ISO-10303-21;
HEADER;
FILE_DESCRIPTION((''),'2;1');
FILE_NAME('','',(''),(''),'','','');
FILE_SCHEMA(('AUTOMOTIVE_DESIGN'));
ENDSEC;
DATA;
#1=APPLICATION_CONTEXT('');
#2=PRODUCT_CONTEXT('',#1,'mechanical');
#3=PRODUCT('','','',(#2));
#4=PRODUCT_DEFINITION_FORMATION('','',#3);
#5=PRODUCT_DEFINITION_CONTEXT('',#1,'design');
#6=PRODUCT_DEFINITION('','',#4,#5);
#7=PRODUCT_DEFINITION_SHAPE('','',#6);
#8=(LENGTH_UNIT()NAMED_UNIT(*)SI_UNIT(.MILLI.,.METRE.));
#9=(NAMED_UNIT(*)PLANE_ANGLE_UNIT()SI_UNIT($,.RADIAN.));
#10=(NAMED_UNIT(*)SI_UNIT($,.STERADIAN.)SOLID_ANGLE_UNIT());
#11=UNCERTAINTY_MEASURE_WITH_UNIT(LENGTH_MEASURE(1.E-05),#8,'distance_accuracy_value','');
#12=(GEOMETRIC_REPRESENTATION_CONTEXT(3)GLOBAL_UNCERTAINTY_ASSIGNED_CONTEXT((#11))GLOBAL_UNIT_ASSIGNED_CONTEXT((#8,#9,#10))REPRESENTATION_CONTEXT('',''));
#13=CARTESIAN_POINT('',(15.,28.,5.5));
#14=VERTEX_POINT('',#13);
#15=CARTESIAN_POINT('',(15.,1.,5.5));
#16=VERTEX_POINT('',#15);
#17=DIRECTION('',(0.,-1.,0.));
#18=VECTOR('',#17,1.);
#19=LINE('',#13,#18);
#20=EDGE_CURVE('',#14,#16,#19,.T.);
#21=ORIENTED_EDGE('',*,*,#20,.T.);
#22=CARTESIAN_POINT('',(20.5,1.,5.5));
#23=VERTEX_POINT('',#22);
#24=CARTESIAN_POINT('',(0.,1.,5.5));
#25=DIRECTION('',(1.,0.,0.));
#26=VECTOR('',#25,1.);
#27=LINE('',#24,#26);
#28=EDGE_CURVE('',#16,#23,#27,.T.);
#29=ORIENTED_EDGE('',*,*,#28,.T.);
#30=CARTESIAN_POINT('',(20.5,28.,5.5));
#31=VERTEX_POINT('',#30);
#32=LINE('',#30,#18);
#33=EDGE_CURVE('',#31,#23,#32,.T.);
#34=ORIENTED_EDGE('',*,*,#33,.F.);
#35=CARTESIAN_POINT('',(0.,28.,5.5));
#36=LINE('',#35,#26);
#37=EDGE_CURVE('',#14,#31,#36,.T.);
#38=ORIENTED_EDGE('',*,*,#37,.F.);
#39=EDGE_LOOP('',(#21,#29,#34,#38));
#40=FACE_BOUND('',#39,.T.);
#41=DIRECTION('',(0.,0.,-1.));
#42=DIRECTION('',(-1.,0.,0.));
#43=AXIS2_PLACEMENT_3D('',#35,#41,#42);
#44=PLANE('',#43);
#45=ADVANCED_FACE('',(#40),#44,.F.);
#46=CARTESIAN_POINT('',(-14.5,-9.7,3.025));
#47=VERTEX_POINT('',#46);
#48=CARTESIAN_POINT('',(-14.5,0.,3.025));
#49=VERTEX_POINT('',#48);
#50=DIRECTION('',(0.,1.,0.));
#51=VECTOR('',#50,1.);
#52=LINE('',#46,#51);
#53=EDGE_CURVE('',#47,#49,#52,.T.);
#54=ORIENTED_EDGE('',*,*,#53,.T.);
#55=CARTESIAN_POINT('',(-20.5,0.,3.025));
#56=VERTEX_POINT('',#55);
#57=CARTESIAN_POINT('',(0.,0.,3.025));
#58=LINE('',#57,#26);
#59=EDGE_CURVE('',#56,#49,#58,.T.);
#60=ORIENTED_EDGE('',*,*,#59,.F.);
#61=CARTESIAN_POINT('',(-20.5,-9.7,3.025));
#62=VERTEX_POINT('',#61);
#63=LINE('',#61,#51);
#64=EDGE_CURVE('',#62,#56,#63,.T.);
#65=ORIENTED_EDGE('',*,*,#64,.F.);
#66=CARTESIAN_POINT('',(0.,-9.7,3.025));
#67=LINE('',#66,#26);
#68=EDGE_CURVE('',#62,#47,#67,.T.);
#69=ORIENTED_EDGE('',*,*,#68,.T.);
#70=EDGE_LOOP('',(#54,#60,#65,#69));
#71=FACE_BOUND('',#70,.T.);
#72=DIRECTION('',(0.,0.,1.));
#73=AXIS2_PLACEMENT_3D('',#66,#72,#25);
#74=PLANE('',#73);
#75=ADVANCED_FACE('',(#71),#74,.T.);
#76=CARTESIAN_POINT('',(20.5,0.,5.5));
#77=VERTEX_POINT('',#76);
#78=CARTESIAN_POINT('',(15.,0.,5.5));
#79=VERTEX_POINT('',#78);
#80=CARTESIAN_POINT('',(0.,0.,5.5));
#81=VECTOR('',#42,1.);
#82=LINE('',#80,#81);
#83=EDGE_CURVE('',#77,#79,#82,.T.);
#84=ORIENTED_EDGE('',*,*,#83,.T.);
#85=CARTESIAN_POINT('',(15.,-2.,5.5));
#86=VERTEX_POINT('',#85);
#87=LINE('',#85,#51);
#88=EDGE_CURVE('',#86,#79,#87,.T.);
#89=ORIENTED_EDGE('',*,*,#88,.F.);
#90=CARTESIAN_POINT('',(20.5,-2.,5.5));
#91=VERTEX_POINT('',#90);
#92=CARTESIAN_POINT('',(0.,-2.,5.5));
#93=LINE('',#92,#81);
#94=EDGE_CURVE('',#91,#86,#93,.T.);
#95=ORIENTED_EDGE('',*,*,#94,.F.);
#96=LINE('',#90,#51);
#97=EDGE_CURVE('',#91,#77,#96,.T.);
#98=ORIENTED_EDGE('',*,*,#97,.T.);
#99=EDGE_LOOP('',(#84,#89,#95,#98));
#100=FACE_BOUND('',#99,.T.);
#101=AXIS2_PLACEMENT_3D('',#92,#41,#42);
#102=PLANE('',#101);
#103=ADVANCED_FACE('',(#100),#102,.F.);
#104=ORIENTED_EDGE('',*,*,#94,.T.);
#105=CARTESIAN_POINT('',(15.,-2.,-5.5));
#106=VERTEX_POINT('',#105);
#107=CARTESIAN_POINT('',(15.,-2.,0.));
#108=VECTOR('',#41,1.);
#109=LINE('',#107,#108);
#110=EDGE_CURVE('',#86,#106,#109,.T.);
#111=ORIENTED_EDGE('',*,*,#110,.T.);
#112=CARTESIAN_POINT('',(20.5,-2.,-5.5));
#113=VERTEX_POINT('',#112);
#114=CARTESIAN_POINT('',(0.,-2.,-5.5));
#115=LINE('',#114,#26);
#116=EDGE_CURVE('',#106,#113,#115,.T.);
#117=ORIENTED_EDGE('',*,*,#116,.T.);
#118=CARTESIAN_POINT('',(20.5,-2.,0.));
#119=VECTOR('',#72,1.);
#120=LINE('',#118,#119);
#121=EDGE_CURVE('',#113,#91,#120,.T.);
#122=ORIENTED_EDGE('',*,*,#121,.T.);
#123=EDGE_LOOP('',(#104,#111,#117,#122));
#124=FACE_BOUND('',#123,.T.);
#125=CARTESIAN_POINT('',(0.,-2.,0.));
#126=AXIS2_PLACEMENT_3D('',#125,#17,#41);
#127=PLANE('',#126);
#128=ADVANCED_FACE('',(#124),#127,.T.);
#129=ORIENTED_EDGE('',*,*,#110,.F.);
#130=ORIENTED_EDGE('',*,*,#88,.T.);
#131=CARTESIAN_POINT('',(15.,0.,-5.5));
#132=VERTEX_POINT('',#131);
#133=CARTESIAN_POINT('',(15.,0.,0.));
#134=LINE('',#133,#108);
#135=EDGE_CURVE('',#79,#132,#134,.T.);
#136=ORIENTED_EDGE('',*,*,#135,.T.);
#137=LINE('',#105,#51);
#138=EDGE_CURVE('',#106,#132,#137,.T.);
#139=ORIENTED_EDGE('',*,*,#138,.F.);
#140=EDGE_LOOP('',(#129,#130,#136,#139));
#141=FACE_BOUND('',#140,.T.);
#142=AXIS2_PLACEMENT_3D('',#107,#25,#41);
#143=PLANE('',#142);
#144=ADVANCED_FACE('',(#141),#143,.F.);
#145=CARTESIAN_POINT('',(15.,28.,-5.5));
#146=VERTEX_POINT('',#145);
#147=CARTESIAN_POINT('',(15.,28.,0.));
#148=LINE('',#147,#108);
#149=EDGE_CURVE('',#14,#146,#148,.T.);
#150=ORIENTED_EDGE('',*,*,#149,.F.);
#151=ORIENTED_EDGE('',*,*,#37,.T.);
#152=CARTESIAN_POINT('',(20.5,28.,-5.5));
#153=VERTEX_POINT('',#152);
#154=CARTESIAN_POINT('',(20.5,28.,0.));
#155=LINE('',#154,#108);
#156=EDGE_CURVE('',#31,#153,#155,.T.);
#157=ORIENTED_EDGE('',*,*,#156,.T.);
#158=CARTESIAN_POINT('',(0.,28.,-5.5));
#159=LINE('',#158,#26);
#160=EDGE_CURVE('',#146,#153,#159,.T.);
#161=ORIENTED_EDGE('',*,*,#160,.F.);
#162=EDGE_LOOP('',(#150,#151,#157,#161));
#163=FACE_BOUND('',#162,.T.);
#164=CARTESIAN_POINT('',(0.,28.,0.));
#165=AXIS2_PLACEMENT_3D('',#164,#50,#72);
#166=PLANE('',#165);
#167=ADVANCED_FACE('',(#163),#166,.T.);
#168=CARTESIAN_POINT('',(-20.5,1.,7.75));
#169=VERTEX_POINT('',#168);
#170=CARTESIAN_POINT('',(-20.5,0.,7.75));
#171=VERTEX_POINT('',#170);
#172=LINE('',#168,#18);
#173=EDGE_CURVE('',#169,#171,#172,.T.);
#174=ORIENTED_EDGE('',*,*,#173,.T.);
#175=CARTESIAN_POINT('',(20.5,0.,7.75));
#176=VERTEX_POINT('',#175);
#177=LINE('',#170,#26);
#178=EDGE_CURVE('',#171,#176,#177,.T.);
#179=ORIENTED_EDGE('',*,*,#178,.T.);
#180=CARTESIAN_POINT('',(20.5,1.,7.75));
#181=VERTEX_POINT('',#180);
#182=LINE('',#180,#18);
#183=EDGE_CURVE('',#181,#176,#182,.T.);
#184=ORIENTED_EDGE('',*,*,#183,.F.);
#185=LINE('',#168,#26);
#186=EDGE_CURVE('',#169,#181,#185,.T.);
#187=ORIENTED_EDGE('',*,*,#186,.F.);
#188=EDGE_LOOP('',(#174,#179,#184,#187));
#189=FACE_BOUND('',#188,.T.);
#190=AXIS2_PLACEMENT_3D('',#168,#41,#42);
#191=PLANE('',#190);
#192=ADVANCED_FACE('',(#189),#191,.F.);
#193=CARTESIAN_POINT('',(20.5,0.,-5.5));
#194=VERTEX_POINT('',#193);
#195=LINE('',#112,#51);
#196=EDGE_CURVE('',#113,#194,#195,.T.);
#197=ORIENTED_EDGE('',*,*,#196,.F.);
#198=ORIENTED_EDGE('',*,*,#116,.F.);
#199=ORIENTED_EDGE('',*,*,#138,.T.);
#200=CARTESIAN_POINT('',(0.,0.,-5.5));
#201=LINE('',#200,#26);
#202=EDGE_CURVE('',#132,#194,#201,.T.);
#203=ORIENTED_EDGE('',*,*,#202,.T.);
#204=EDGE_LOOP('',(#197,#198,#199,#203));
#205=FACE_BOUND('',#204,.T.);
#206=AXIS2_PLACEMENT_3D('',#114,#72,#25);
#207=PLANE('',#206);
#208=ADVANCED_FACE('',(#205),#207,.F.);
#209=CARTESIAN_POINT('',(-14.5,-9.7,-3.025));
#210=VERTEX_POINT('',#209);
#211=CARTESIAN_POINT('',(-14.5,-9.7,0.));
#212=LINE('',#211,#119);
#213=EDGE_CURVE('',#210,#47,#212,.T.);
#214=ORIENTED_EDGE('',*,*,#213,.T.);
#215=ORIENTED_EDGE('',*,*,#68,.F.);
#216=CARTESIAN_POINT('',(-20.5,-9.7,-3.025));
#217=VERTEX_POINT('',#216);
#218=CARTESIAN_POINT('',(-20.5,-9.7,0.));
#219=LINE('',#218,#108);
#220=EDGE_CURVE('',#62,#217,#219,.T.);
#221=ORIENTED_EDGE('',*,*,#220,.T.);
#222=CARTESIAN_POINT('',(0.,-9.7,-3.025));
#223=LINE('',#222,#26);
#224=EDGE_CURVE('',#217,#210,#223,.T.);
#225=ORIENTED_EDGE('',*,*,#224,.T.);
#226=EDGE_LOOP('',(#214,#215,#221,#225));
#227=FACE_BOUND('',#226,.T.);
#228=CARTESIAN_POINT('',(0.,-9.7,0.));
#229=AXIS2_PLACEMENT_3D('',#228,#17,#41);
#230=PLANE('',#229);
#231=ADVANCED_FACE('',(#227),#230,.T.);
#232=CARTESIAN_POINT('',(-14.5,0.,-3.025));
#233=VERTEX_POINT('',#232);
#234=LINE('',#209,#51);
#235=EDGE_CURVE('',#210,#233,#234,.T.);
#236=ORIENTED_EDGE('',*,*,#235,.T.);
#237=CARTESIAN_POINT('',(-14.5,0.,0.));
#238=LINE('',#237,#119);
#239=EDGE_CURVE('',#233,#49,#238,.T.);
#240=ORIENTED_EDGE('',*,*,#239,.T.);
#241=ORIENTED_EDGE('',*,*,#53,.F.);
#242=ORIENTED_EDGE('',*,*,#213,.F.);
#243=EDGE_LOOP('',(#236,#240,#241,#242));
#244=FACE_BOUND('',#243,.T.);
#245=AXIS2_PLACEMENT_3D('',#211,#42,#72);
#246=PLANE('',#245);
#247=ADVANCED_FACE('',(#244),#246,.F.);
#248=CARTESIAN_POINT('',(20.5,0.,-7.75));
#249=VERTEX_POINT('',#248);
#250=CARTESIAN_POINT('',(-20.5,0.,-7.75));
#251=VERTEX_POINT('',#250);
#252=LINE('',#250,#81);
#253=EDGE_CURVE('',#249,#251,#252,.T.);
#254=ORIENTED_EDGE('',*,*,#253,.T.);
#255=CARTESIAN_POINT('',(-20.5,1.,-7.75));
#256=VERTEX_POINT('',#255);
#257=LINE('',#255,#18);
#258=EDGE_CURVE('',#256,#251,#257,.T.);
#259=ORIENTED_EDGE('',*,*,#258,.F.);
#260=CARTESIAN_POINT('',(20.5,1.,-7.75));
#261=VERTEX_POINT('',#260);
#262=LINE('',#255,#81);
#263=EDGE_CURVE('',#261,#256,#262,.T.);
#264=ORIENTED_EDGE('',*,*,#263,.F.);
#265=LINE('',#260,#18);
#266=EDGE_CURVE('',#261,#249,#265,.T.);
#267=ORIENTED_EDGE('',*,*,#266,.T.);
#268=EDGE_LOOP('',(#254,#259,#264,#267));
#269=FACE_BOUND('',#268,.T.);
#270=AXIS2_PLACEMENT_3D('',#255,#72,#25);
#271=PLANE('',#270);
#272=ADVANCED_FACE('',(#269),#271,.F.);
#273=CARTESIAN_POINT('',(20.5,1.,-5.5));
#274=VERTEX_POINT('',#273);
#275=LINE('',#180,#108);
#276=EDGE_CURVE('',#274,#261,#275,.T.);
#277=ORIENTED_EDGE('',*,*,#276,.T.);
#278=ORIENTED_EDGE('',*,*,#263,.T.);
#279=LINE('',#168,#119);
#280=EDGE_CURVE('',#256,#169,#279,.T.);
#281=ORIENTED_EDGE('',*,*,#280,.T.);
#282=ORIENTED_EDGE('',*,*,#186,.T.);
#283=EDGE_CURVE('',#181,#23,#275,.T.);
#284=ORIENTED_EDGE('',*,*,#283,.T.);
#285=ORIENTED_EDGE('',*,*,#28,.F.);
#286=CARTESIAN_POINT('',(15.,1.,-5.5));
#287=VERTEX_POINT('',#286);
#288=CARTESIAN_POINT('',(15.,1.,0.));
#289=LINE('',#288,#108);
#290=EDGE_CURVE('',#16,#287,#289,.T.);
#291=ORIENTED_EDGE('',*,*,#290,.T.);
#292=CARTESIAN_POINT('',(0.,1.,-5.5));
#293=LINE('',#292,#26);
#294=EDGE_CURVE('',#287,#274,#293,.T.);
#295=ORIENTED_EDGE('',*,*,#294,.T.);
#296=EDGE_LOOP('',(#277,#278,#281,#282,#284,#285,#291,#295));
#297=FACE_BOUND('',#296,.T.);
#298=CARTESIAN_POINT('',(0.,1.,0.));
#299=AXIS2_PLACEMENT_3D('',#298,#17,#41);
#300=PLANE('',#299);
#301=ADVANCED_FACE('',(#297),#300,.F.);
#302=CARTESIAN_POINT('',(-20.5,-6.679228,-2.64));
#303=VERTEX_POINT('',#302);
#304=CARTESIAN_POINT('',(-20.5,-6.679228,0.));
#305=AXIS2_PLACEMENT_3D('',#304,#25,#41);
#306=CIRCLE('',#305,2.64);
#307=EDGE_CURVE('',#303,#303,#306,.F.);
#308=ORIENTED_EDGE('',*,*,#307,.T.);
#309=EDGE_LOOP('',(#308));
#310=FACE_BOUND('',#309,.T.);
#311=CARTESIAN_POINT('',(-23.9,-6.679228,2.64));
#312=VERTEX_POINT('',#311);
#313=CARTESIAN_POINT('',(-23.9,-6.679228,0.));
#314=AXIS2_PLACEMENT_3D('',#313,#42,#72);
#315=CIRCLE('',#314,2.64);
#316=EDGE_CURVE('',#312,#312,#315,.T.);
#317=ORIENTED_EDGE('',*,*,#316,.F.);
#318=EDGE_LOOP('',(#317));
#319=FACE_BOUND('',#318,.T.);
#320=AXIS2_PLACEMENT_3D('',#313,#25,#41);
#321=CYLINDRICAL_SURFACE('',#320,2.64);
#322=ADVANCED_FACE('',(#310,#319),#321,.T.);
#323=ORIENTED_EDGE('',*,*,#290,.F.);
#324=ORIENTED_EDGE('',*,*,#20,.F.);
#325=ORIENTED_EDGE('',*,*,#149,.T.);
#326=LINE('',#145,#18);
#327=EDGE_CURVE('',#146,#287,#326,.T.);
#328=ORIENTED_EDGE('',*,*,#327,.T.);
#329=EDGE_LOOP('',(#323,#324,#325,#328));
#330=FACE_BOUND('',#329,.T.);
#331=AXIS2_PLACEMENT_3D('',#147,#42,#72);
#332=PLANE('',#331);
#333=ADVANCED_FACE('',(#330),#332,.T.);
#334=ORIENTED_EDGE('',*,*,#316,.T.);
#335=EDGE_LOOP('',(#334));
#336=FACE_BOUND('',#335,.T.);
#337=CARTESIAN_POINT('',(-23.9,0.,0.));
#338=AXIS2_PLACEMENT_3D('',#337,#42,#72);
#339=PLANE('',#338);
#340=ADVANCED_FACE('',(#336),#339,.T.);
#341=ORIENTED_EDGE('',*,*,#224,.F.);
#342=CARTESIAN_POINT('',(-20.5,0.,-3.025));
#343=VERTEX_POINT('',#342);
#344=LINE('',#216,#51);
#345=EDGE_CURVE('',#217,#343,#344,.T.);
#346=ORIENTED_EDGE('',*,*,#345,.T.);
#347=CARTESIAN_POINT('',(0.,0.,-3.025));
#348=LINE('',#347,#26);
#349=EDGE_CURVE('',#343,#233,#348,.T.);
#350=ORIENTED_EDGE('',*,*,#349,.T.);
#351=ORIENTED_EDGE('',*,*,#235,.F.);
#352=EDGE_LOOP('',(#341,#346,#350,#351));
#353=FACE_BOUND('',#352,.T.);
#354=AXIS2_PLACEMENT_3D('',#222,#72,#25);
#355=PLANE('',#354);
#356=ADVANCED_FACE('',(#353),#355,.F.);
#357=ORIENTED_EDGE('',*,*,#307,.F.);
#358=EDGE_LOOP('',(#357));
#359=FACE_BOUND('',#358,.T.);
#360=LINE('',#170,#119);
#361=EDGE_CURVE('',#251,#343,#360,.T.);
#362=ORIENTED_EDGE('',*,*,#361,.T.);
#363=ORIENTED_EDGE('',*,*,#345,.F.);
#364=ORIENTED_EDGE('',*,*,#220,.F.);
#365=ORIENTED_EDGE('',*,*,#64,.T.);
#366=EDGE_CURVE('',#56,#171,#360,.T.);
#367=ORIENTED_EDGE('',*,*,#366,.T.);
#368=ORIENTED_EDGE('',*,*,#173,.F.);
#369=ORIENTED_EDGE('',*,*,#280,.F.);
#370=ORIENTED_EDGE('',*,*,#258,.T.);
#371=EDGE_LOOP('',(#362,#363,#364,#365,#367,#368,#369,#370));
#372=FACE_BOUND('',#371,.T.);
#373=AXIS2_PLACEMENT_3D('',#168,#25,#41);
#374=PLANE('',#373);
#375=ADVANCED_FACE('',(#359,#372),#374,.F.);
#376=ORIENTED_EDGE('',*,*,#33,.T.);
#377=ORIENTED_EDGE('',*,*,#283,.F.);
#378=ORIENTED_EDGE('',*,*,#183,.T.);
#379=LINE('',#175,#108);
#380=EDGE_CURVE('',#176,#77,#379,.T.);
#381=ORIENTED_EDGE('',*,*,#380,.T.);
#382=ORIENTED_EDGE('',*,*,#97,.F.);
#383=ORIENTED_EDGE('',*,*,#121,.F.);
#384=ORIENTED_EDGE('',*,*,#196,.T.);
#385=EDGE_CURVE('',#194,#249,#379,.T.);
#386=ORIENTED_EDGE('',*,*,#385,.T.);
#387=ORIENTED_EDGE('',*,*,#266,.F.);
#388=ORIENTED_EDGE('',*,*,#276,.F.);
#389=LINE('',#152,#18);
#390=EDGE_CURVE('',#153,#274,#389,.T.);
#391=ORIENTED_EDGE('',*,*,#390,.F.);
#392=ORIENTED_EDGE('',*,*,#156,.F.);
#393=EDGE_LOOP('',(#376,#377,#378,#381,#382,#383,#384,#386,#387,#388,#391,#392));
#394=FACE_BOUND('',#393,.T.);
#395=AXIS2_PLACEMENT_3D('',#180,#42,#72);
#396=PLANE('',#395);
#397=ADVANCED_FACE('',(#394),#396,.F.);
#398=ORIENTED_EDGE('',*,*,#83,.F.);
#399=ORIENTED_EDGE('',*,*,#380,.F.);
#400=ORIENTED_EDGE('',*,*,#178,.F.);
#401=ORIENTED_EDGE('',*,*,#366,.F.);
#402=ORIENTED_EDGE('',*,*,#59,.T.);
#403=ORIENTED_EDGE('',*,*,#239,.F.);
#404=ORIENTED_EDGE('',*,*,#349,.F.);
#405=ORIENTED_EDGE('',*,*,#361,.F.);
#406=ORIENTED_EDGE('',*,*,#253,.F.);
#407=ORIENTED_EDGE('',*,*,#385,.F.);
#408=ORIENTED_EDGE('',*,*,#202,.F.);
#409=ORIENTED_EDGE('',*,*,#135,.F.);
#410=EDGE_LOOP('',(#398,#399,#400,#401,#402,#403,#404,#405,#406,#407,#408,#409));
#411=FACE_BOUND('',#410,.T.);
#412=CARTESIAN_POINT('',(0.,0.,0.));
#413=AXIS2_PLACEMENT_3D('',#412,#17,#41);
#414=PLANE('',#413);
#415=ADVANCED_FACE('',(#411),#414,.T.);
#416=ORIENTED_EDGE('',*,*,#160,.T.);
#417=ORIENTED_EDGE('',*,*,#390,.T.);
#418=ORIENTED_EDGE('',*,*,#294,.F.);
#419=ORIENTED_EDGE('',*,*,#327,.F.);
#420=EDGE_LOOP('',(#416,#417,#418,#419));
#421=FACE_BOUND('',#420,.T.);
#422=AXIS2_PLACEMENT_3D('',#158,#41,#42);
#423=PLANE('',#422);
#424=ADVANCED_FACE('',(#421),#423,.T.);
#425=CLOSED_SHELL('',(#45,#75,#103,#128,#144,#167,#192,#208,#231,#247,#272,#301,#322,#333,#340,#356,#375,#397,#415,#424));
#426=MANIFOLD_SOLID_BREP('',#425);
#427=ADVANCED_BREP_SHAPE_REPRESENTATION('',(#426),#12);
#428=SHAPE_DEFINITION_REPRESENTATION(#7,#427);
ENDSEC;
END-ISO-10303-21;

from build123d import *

# Parameters (mm, degrees)
SKETCH_1_W      = 41
SKETCH_1_H      = 15.5
EXTRUDE_1_DEPTH = 1
SKETCH_2_W      = 5.5
SKETCH_2_H      = 11
EXTRUDE_2_DEPTH = 27
SKETCH_3_W      = 5.5
SKETCH_3_H      = 11
EXTRUDE_3_DEPTH = 2
SKETCH_4_W      = 6
SKETCH_4_H      = 6.05
EXTRUDE_4_DEPTH = 9.7
SKETCH_5_R      = 2.64
EXTRUDE_5_DEPTH = 3.4


with BuildPart() as part:
    # 草图1 → 凸台-拉伸1 (new body)
    with BuildSketch(Plane(origin=(0, 0, 0), x_dir=(1, 0, 0), z_dir=(0, 1, 0))):
        Rectangle(SKETCH_1_W, SKETCH_1_H)
    extrude(amount=EXTRUDE_1_DEPTH)

    # 草图2 → 凸台-拉伸2 (add)
    with BuildSketch(Plane(origin=(0, 1, 0), x_dir=(1, 0, 0), z_dir=(0, 1, 0))):
        with Locations((17.75, 0)):
            Rectangle(SKETCH_2_W, SKETCH_2_H)
    extrude(amount=EXTRUDE_2_DEPTH)

    # 草图3 → 凸台-拉伸3 (add)
    with BuildSketch(Plane.XZ):
        with Locations((17.75, 0)):
            Rectangle(SKETCH_3_W, SKETCH_3_H)
    extrude(amount=EXTRUDE_3_DEPTH)

    # 草图4 → 凸台-拉伸4 (add)
    with BuildSketch(Plane.XZ):
        with Locations((-17.5, 0)):
            Rectangle(SKETCH_4_W, SKETCH_4_H)
    extrude(amount=EXTRUDE_4_DEPTH)

    # 草图5 → 凸台-拉伸5 (add)
    with BuildSketch(Plane.ZY.offset(20.5)):
        with Locations(Location((0, -6.679228268, 0), (0, 0, 180))):
            Circle(SKETCH_5_R)
    extrude(amount=EXTRUDE_5_DEPTH)


solid = part.part
